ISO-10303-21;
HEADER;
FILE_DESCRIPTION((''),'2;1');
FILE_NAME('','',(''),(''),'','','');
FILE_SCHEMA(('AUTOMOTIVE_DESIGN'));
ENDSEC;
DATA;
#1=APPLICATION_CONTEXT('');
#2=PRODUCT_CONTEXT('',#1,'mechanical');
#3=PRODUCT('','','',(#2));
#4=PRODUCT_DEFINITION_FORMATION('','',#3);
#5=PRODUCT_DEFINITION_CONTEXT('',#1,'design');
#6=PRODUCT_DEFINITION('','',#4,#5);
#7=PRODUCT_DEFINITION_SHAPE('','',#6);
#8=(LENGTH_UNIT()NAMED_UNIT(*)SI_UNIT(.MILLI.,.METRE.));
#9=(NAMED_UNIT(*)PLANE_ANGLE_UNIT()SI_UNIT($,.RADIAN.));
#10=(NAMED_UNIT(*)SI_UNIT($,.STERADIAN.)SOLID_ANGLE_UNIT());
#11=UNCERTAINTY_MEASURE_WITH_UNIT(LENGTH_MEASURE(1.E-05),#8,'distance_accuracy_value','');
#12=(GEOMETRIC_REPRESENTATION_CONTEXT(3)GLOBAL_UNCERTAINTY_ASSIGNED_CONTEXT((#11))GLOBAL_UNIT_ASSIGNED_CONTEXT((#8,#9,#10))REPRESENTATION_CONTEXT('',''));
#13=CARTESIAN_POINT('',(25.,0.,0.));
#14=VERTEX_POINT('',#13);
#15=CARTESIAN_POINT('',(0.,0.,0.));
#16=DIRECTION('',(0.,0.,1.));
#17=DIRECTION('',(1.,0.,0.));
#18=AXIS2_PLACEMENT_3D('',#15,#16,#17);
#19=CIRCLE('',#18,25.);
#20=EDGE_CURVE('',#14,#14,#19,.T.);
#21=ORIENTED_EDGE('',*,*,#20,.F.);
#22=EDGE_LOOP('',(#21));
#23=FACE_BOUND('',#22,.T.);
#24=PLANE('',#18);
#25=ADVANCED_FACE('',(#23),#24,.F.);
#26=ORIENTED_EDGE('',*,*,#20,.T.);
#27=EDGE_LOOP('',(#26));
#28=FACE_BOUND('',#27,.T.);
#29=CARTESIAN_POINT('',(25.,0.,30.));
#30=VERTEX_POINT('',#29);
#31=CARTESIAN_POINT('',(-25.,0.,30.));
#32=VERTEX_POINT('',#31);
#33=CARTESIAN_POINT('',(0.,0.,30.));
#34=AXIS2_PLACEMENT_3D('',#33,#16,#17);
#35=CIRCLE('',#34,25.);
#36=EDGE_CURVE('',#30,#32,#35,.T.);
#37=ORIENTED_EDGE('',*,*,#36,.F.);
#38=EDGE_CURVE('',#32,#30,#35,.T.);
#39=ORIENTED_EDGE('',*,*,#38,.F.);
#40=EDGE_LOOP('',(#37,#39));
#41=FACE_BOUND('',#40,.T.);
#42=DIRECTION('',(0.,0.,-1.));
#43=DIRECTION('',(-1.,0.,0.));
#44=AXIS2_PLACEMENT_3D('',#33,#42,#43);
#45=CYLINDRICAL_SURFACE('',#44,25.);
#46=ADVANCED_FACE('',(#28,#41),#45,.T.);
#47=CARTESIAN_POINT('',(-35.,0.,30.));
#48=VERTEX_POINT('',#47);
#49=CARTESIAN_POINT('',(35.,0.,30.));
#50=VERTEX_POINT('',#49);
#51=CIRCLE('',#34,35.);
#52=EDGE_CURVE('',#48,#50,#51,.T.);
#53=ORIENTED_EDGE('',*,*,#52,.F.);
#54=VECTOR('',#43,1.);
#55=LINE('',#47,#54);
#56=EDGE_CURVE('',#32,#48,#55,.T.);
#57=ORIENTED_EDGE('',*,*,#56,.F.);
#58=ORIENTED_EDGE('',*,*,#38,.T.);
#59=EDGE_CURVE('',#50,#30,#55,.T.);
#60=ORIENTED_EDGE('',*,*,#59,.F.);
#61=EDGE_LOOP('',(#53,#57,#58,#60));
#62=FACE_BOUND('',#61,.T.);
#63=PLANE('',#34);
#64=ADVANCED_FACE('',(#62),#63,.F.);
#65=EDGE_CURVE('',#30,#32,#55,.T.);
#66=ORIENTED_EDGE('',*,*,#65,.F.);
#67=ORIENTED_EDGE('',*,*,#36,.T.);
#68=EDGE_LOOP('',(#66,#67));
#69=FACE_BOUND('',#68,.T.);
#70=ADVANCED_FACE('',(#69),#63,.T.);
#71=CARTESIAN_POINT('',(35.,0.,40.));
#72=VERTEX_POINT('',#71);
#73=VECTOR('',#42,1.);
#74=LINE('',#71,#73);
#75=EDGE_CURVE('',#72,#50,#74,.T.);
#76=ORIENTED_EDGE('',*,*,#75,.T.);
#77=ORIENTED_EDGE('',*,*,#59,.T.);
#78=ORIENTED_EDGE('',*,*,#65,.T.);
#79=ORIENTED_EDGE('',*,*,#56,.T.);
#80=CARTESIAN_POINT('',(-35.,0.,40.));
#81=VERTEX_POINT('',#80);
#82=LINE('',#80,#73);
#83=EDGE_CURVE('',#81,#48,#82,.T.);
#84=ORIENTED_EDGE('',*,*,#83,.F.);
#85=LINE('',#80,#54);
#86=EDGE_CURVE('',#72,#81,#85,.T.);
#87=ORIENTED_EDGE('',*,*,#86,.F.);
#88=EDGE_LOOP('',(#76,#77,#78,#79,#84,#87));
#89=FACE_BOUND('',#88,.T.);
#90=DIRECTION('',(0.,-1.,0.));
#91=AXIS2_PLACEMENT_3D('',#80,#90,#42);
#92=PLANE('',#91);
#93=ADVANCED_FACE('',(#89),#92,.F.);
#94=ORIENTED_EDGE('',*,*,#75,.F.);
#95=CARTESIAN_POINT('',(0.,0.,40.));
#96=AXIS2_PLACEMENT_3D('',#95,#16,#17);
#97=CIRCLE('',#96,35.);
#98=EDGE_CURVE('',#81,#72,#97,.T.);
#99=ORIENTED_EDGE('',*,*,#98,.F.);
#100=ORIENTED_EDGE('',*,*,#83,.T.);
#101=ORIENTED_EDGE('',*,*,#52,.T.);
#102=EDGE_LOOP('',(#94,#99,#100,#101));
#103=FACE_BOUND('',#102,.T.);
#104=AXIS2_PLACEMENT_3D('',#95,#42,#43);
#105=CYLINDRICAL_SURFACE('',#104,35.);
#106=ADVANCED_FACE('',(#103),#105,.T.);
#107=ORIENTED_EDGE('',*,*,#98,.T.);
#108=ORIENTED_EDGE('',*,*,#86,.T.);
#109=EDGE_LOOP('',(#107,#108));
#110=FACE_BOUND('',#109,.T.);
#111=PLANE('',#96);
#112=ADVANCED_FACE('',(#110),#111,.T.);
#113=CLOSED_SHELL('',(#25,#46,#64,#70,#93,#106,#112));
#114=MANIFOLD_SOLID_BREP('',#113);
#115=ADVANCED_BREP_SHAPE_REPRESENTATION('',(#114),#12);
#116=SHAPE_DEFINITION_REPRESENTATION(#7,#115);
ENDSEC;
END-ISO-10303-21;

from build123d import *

# Parameters (mm, degrees)
SKETCH1_R           = 25
BOSS_EXTRUDE1_DEPTH = 30
BOSS_EXTRUDE2_DEPTH = 10


with BuildPart() as part:
    # Sketch1 → Boss-Extrude1 (new body)
    with BuildSketch(Plane.XY):
        Circle(SKETCH1_R)
    extrude(amount=BOSS_EXTRUDE1_DEPTH)

    # Sketch2 → Boss-Extrude2 (add)
    with BuildSketch(Plane.XY.offset(30)):
        with BuildLine():
            Line((-35, 0), (35, 0))
            ThreePointArc((35, 0), (0, -35), (-35, 0))
        make_face()
    extrude(amount=BOSS_EXTRUDE2_DEPTH)


solid = part.part
